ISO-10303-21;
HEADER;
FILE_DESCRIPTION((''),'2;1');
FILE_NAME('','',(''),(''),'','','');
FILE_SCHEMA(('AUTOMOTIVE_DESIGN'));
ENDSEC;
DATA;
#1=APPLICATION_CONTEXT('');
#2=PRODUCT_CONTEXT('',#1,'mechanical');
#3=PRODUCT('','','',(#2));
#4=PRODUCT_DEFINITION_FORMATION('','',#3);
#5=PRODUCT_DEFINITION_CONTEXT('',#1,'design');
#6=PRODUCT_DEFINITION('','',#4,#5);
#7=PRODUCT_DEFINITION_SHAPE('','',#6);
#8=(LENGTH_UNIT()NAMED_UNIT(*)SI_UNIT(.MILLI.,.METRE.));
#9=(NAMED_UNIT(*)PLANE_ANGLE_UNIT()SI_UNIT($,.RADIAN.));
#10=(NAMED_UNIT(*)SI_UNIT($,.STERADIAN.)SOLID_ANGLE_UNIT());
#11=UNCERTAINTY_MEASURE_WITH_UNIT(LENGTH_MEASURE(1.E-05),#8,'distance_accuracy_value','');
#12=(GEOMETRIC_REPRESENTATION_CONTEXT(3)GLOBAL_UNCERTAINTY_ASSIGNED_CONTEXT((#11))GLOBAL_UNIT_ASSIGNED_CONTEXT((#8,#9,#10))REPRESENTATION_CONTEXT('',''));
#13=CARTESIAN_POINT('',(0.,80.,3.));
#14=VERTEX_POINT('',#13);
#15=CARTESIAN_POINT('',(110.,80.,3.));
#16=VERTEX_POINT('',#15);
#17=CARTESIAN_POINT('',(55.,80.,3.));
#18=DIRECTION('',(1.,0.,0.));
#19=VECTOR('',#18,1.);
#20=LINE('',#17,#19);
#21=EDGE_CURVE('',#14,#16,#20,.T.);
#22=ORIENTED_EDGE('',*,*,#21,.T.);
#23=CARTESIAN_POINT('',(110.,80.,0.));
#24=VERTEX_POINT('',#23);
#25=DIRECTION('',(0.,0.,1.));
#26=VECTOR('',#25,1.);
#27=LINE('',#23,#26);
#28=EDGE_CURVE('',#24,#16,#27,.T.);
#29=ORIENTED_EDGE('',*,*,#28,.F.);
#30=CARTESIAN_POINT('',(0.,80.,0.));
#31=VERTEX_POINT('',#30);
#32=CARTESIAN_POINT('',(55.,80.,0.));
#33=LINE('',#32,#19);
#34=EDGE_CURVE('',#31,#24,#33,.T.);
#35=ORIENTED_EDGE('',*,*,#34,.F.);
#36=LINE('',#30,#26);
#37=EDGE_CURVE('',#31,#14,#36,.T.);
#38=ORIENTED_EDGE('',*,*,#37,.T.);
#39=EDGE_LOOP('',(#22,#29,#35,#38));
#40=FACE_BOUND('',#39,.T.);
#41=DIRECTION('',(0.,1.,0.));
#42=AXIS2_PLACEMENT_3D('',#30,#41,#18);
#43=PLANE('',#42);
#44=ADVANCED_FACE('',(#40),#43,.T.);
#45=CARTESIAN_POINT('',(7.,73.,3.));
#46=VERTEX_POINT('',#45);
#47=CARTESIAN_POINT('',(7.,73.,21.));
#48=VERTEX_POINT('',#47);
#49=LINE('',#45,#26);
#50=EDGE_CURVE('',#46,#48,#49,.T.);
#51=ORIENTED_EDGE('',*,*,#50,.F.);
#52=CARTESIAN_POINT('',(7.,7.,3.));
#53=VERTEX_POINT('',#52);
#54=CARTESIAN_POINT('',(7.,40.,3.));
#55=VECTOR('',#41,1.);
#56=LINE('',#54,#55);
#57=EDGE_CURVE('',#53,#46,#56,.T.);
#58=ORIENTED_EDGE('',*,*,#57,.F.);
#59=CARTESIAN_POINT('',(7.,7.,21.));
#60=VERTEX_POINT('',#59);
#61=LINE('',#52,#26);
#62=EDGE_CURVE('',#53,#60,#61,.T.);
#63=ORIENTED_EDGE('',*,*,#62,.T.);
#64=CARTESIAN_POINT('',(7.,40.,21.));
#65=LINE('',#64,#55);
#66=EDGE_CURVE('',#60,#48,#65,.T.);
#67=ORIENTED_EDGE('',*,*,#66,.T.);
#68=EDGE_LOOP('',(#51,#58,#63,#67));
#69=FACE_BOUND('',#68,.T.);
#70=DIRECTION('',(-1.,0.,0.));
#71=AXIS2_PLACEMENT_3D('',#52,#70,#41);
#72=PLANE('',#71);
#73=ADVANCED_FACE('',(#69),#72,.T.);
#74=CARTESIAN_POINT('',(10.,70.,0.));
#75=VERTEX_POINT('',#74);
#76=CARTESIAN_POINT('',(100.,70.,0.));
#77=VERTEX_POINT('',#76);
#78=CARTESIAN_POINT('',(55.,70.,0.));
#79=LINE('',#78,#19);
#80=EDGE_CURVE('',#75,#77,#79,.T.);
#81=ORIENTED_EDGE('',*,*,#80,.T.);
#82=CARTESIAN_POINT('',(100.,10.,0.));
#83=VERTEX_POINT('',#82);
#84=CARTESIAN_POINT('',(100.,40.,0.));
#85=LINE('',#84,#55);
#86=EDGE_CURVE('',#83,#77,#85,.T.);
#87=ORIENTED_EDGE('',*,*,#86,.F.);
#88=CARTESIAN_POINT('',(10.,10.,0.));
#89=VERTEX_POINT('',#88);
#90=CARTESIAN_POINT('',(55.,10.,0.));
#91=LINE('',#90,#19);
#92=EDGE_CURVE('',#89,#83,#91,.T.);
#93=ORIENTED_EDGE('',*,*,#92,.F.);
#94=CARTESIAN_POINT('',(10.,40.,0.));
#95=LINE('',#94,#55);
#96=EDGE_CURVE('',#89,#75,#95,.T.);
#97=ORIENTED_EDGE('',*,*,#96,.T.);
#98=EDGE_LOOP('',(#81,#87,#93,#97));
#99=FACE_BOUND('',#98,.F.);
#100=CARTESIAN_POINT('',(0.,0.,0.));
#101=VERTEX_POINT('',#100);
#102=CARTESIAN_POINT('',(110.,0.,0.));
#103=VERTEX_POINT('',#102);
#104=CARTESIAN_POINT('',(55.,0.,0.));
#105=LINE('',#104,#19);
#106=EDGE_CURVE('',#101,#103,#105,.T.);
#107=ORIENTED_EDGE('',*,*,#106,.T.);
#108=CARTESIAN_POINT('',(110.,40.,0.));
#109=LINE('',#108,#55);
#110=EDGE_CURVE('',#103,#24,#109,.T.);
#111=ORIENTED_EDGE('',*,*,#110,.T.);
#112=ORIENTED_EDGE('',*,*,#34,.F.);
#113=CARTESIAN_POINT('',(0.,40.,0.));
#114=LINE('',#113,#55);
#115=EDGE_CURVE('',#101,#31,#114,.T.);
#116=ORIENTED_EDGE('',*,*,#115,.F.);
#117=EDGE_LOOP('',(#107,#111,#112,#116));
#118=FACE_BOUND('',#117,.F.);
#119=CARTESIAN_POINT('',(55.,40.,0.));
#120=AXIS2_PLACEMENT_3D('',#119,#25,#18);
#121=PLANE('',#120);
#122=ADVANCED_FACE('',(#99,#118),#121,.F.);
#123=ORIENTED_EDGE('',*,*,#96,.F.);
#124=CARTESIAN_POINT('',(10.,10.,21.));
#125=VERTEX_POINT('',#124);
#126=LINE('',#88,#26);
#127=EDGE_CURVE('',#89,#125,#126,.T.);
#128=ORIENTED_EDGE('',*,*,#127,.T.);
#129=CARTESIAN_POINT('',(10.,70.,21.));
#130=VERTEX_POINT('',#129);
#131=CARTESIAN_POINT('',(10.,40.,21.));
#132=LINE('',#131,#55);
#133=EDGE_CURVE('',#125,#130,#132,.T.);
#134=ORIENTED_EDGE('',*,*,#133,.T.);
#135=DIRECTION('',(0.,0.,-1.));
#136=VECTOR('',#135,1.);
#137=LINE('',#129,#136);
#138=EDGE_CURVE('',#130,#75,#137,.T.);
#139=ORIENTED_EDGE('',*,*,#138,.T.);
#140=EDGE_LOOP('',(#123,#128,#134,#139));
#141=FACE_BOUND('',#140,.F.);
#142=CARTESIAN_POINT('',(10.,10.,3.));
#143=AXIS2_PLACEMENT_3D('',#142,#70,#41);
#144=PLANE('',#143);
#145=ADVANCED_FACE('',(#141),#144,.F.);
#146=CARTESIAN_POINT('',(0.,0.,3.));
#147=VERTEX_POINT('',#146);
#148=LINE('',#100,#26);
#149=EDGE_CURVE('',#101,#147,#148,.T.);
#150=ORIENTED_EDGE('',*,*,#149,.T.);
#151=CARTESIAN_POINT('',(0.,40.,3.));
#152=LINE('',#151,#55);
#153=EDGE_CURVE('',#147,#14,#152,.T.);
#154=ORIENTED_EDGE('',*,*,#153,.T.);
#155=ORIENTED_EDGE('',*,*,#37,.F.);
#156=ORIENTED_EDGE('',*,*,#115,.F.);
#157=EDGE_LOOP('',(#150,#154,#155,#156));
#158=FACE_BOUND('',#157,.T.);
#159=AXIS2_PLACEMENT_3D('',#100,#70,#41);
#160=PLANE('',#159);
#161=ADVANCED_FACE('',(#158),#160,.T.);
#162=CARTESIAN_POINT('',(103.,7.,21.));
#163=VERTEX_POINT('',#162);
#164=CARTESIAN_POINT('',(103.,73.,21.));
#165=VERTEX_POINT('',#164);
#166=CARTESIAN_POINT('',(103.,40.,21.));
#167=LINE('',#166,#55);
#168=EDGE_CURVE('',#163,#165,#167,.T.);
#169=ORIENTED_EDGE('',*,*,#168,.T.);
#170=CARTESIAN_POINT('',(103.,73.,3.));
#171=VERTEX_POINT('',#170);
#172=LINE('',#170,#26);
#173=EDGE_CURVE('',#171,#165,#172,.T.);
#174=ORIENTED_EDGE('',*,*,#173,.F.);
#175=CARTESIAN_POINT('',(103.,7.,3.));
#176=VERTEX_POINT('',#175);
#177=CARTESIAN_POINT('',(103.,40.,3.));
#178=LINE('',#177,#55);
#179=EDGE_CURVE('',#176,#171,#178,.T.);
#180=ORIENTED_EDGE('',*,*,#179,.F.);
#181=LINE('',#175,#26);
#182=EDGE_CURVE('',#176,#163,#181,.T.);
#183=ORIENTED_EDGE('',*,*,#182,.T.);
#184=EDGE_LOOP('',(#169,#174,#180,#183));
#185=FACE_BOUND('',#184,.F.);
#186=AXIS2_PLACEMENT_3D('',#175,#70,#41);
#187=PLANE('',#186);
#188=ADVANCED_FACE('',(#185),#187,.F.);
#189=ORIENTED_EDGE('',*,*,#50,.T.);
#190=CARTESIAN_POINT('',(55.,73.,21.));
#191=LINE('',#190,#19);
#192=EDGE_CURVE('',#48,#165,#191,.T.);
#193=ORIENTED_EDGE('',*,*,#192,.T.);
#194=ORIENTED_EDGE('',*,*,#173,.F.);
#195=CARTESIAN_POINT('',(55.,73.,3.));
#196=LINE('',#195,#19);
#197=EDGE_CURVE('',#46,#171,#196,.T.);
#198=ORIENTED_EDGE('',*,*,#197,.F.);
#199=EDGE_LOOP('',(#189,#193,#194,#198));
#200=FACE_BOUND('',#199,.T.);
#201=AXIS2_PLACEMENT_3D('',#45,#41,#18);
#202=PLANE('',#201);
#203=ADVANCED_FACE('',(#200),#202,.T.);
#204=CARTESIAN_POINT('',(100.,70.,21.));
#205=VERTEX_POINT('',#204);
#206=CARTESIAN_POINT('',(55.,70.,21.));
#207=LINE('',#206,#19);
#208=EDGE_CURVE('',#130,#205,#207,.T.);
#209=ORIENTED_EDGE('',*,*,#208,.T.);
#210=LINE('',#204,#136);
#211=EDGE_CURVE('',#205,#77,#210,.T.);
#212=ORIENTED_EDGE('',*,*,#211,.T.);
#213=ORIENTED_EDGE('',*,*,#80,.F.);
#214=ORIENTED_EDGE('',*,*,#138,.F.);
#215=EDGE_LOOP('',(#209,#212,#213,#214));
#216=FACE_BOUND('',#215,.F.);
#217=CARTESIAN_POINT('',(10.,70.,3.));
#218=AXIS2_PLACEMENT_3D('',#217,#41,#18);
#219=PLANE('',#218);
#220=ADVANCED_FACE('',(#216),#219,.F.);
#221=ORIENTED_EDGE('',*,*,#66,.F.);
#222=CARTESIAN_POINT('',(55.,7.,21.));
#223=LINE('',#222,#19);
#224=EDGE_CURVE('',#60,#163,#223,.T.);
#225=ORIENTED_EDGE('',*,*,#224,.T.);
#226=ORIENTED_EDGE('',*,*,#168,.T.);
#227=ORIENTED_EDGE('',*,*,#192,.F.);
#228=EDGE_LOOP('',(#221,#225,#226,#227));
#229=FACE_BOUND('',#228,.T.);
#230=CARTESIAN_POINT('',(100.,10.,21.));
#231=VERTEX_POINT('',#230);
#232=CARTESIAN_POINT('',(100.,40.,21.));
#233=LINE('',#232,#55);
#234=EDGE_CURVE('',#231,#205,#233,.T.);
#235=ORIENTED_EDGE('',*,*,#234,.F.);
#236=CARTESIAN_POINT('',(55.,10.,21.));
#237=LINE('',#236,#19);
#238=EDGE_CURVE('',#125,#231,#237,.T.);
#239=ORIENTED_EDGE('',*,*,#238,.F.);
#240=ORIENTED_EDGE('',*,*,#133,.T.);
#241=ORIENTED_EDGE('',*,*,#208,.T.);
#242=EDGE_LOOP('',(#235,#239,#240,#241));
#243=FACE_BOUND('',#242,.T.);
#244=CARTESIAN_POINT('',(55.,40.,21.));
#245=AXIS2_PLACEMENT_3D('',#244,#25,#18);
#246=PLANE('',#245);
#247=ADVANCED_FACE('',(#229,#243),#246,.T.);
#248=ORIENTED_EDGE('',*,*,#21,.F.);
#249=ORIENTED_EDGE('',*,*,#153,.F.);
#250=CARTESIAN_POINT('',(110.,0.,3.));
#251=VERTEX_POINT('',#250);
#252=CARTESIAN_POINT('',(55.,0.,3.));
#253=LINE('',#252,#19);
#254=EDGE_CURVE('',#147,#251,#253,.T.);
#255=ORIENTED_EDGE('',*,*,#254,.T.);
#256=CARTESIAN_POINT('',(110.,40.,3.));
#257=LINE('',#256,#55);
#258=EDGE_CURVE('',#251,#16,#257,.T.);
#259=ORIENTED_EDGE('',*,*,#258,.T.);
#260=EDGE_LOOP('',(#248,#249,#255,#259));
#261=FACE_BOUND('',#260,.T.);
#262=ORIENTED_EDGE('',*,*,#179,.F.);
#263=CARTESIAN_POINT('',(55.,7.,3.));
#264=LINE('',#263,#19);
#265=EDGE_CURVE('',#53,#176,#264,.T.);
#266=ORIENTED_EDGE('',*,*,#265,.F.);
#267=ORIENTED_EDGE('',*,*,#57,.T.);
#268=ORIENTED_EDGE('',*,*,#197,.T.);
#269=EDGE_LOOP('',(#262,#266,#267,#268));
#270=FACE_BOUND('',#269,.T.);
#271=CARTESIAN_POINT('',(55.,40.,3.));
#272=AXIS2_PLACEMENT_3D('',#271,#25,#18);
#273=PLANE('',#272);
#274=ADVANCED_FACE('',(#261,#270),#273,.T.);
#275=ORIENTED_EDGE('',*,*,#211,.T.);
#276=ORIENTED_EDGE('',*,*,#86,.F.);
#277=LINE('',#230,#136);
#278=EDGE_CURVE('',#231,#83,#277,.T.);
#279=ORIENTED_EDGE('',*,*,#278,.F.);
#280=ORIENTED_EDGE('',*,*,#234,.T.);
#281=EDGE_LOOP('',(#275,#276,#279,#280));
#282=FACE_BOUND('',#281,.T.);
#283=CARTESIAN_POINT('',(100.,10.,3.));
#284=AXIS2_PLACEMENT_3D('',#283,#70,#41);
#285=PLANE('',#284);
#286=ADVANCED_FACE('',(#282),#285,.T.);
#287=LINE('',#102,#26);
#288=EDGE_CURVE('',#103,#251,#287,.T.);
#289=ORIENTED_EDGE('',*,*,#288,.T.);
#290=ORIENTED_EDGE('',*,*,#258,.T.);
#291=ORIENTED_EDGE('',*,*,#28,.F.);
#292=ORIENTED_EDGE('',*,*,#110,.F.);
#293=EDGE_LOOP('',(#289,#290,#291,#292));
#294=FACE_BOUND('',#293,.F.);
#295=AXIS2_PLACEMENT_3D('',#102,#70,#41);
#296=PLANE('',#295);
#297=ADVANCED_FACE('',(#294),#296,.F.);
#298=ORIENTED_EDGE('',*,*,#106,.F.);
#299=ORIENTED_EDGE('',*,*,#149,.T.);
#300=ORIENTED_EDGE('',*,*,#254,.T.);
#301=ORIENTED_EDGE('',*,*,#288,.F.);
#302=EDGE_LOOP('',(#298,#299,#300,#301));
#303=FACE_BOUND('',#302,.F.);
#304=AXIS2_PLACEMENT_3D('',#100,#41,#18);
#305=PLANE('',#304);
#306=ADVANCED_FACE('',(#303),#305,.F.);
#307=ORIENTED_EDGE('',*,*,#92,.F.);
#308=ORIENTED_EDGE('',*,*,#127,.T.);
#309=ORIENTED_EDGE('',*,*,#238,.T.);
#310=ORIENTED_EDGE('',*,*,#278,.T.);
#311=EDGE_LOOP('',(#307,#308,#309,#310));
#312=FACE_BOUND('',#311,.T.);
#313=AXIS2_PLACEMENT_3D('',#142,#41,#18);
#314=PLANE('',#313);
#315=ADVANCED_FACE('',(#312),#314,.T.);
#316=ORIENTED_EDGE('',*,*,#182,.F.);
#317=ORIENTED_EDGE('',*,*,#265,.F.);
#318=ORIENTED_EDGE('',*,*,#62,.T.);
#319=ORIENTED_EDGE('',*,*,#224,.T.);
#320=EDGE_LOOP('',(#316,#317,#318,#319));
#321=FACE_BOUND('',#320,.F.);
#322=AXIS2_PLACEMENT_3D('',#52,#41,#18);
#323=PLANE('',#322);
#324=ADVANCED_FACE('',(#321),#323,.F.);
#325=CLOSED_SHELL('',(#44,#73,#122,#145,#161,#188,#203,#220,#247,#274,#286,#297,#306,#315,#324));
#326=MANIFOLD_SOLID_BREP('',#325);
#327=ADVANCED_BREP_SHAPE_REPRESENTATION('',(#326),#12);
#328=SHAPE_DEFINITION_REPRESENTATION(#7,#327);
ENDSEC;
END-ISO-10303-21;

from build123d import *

# Parameters (mm, degrees)
F0_W     = 110
F0_H     = 80
F0_W_2   = 90
F0_H_2   = 60
F1_DEPTH = 3
F2_W     = 96
F2_H     = 66
F2_W_2   = 90
F2_H_2   = 60
F3_DEPTH = 18


with BuildPart() as f1:
    # F0 (on Top) → F1 (new body)
    with BuildSketch(Plane.XY):
        with Locations((55, 40)):
            Rectangle(F0_W, F0_H)
        with Locations((55, 40)):
            Rectangle(F0_W_2, F0_H_2, mode=Mode.SUBTRACT)
    extrude(amount=F1_DEPTH)

    # F2 (on face) → F3 (join)
    with BuildSketch(Plane.XY.offset(3)):
        with Locations((55, 40)):
            Rectangle(F2_W, F2_H)
        with Locations((55, 40)):
            Rectangle(F2_W_2, F2_H_2, mode=Mode.SUBTRACT)
    extrude(amount=F3_DEPTH)


solid = f1.part
